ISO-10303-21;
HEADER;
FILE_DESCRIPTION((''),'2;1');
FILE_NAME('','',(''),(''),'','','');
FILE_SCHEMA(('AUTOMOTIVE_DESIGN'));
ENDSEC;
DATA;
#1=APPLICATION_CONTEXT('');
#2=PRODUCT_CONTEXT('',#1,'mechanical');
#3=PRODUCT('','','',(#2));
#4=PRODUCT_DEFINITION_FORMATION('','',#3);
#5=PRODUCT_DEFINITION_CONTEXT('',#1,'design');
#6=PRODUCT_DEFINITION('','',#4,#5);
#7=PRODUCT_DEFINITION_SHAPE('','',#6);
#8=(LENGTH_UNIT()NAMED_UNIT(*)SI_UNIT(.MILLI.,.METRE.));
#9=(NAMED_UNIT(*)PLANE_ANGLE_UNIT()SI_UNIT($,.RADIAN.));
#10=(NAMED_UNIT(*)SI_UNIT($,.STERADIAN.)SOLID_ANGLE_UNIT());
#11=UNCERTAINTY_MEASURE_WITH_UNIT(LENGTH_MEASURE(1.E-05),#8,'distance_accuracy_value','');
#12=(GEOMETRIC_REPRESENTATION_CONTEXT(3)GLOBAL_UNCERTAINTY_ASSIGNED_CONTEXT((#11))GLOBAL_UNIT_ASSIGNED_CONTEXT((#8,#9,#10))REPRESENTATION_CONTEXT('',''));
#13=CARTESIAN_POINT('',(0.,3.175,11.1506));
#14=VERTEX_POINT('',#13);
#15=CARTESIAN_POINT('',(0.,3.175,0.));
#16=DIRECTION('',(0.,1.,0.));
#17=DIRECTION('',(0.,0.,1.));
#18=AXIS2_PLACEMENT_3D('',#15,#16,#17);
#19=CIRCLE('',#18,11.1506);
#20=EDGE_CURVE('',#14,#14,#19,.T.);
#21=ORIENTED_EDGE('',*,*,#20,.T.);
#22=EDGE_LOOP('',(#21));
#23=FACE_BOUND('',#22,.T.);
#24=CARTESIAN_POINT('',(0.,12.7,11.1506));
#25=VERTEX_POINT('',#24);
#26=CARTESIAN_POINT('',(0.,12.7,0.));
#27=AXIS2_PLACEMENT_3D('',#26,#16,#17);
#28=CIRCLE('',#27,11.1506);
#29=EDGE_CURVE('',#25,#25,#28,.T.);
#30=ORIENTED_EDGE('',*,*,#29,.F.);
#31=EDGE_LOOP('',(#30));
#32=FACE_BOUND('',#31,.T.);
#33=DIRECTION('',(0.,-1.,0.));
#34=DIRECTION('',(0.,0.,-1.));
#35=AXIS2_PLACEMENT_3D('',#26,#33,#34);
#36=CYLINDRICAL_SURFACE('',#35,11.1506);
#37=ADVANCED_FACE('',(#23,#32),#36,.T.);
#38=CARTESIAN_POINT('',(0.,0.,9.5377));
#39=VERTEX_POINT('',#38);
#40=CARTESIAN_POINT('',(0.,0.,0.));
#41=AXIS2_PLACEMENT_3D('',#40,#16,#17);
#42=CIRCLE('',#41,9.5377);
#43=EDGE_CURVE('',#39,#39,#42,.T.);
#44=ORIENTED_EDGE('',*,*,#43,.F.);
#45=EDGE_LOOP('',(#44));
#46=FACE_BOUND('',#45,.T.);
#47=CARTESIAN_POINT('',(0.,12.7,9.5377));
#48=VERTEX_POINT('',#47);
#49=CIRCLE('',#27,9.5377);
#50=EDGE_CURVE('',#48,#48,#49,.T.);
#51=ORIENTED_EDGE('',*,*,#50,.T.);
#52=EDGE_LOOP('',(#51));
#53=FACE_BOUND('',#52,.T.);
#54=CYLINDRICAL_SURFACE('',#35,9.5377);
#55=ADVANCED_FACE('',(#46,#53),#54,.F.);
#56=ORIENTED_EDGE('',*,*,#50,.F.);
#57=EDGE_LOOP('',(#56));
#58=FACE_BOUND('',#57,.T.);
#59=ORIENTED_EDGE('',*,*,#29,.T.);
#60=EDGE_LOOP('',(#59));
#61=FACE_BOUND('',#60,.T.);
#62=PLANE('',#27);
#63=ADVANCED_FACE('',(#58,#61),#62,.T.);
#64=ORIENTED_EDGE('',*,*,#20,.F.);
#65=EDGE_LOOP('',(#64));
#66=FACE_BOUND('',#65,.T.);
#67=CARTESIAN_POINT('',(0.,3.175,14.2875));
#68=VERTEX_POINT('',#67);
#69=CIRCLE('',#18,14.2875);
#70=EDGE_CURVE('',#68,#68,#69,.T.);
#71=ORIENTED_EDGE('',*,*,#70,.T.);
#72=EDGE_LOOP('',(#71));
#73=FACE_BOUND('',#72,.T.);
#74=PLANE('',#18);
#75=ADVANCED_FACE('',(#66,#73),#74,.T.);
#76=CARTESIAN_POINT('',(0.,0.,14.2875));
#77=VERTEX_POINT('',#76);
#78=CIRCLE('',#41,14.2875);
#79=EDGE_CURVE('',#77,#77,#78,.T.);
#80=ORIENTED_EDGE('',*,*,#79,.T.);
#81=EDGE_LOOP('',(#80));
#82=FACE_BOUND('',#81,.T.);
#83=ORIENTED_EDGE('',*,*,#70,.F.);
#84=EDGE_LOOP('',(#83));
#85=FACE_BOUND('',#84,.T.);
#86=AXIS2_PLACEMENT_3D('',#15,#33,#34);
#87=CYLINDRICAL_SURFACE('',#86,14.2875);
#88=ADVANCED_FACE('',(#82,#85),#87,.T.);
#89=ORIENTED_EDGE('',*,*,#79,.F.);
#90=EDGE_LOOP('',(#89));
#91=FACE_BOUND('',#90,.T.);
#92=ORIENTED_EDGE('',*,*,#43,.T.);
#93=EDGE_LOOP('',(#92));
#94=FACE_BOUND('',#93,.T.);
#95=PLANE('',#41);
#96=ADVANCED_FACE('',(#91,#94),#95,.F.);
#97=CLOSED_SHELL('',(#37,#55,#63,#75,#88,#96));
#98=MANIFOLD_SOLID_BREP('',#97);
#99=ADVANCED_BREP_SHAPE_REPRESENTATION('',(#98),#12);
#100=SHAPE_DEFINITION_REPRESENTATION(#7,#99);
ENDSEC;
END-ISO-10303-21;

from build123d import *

# Parameters (mm, degrees)
SKETCH2_R           = 11.1506
SKETCH2_R_2         = 9.5377
BOSS_EXTRUDE1_DEPTH = 12.7
SKETCH3_R           = 14.2875
SKETCH3_R_2         = 11.1506
BOSS_EXTRUDE2_DEPTH = 3.175


with BuildPart() as part:
    # Sketch2 → Boss-Extrude1 (new body)
    with BuildSketch(Plane(origin=(0, 0, 0), x_dir=(1, 0, 0), z_dir=(0, 1, 0))):
        with Locations(Location((0, 0, 0), (0, 0, 270))):
            Circle(SKETCH2_R)
        with Locations(Location((0, 0, 0), (0, 0, 270))):
            Circle(SKETCH2_R_2, mode=Mode.SUBTRACT)
    extrude(amount=BOSS_EXTRUDE1_DEPTH)

    # Sketch3 → Boss-Extrude2 (add)
    with BuildSketch(Plane(origin=(0, 0, 0), x_dir=(1, 0, 0), z_dir=(0, 1, 0))):
        with Locations(Location((0, 0, 0), (0, 0, 270))):
            Circle(SKETCH3_R)
        with Locations(Location((0, 0, 0), (0, 0, 270))):
            Circle(SKETCH3_R_2, mode=Mode.SUBTRACT)
    extrude(amount=BOSS_EXTRUDE2_DEPTH)


solid = part.part
